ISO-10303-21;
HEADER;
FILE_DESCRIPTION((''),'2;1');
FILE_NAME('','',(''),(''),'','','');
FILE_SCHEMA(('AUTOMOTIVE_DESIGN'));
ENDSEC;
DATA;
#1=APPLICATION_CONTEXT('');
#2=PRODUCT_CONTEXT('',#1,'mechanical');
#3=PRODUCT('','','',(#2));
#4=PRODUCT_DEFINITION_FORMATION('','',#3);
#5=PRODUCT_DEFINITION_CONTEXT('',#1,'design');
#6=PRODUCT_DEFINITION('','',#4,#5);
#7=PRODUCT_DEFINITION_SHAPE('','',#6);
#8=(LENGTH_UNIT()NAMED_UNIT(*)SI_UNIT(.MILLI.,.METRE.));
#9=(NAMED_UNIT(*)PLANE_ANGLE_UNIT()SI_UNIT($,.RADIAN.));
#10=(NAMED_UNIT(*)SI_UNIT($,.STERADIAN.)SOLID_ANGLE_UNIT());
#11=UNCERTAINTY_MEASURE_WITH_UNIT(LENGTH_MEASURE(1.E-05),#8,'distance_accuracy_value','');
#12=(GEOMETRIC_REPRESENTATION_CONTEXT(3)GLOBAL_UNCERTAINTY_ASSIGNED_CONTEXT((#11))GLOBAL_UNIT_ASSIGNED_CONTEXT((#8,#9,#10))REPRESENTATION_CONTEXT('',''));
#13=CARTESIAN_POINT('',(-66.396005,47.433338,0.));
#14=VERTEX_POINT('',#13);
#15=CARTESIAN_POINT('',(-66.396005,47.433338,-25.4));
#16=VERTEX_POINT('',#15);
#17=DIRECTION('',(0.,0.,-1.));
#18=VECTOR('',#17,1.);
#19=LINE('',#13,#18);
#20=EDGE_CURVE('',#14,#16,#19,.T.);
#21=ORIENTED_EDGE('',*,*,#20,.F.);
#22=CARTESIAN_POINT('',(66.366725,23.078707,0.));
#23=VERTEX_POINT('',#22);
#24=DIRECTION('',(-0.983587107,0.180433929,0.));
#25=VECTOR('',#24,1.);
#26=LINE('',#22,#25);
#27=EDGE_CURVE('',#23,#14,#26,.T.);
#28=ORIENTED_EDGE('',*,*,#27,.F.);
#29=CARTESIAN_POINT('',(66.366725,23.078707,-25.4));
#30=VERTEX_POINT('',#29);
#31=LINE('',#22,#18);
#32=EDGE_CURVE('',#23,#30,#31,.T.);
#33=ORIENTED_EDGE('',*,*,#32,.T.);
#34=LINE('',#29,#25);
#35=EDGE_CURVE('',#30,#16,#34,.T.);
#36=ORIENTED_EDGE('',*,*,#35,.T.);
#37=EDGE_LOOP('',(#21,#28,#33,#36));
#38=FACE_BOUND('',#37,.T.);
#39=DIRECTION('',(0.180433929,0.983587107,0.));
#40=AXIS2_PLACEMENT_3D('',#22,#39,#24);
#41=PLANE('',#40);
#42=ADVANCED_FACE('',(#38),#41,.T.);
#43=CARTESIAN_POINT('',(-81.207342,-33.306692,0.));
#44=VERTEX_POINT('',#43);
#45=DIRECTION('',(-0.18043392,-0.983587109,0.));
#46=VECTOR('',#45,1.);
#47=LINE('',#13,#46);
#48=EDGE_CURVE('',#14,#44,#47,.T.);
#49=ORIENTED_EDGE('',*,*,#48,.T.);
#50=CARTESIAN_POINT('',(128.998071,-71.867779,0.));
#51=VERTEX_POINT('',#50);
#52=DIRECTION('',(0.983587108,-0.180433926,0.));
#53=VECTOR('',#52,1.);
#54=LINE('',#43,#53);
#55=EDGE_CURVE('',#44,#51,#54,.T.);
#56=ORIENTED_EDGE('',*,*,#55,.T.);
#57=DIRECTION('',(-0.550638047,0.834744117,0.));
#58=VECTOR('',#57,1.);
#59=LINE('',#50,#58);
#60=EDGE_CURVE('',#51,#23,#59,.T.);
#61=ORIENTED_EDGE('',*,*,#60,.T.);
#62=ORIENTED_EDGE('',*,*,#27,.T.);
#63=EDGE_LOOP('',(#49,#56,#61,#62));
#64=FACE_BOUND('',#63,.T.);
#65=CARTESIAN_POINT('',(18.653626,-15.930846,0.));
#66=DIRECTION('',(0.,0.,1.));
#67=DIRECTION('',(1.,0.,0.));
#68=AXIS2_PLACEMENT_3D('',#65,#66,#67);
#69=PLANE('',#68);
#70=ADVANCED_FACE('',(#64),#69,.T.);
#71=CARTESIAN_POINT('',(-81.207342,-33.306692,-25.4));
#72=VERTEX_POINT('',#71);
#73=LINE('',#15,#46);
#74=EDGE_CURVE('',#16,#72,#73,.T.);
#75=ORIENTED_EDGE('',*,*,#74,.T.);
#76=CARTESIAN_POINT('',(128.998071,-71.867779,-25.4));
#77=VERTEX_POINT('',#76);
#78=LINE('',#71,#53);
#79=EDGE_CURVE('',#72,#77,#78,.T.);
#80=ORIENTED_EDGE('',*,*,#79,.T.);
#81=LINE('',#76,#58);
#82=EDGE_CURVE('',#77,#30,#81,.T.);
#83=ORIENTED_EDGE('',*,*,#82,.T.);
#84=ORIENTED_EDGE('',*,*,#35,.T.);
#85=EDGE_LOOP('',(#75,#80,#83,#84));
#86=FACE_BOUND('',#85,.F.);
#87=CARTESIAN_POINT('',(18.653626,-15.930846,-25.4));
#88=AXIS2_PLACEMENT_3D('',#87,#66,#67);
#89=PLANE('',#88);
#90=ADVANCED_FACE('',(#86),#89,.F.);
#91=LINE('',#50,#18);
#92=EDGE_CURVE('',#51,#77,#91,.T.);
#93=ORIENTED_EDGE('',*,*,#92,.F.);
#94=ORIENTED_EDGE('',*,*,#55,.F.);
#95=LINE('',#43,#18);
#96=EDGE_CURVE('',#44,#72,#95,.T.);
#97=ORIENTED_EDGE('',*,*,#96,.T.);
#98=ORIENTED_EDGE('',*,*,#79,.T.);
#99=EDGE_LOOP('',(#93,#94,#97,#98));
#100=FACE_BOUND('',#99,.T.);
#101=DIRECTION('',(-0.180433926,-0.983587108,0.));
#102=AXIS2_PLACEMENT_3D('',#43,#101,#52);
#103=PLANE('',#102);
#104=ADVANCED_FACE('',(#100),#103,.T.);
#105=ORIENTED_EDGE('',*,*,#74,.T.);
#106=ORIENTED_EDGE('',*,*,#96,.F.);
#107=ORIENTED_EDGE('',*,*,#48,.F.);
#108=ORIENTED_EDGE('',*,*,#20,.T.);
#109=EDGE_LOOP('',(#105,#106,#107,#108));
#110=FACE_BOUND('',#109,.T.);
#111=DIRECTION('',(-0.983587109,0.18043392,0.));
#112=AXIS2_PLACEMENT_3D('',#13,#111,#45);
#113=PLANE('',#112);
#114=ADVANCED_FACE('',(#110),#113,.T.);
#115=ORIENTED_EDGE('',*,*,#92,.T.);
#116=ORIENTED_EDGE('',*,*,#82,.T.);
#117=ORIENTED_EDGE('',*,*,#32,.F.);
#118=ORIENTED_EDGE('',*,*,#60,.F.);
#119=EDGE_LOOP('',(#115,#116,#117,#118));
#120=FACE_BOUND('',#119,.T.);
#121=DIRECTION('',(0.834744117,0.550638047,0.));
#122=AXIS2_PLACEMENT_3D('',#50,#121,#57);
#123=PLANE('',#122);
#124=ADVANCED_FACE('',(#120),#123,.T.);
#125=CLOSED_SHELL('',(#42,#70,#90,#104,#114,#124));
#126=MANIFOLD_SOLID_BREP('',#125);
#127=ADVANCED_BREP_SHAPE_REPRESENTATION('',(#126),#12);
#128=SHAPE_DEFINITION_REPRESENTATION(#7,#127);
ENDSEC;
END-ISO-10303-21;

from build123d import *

# Parameters (mm, degrees)
F1_DEPTH = 25.4


with BuildPart() as f1:
    # F0 (on Top) → F1 (new body)
    with BuildSketch(Plane.XY):
        Polygon((-81.207342, -33.306692), (128.998071, -71.867779), (66.366725, 23.078707), (-66.396005, 47.433338), align=None)
    extrude(amount=-F1_DEPTH)


solid = f1.part
